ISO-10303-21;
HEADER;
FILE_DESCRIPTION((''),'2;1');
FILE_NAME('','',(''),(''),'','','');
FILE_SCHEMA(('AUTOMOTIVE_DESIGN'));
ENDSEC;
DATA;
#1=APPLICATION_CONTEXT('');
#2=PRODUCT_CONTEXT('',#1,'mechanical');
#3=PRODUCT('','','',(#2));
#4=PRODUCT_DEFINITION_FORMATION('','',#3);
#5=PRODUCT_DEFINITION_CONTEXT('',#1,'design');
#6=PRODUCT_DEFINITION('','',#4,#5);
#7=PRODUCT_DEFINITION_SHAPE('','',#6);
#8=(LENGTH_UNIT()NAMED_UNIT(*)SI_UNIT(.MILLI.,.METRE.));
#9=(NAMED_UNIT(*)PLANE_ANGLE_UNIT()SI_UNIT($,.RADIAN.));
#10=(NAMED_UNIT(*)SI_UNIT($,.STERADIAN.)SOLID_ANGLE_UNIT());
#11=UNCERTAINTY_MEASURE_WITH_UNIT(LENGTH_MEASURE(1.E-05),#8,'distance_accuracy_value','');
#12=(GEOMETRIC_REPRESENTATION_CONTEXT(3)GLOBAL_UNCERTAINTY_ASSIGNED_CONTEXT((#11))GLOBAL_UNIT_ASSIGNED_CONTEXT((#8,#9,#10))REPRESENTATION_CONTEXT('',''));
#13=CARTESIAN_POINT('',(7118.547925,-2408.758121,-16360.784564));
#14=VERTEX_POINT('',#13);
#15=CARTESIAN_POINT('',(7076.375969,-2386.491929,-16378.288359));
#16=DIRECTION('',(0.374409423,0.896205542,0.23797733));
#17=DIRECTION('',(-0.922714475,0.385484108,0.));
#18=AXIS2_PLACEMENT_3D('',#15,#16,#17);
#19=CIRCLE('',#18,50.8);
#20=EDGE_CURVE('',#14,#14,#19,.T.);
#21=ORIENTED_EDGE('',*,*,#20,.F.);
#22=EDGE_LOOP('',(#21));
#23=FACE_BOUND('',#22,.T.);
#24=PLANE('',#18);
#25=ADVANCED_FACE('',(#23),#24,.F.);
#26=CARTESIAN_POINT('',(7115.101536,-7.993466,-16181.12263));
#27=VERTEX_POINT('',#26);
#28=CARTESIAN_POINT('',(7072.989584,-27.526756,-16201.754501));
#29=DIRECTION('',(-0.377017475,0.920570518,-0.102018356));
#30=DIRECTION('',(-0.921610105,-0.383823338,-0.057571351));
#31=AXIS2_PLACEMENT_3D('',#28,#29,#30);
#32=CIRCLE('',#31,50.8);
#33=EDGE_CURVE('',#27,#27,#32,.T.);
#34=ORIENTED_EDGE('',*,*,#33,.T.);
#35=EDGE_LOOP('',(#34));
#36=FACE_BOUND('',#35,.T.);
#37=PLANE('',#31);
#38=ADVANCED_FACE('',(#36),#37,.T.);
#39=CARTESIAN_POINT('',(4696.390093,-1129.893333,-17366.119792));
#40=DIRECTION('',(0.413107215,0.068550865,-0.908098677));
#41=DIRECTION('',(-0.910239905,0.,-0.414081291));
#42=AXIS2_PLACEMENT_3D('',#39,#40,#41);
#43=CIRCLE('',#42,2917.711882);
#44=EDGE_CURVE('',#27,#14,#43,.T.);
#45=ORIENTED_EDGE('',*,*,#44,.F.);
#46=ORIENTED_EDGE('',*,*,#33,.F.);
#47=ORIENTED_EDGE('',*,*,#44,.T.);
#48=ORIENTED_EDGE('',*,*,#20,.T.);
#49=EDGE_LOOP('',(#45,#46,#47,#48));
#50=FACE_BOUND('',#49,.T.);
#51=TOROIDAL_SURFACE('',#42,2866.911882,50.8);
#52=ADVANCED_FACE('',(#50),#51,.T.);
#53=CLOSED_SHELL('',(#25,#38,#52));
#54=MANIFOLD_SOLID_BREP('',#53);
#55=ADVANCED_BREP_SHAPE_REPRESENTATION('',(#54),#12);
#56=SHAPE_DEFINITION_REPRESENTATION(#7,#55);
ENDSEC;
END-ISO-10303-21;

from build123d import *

# Parameters (mm, degrees)
SKETCH3_R = 50.8


with BuildPart() as part:
    # Sweep1: sweep along a path in Sketch2
    with BuildLine(Plane(origin=(7284.240162706, 1208.744225225, -16012.329511346), x_dir=(0.9104065059380377, -0.05563022650703536, 0.40995764640322274), z_dir=(-0.4131072153859329, -0.06855086458476153, 0.9080986772156219))) as sweep1_path:
        ThreePointArc((-139.264740832, -3617.106819122), (85.035608486, -2428.043974995), (-201.206089632, -1252.354056587))
    # Sketch3 → Sweep1 (sweep)
    with BuildSketch(Plane(origin=(-1268.119770499, -3035.436332986, -806.026074643), x_dir=(-0.9272634921207171, 0.36186887869772266, 0.09609022224006901), z_dir=(0.37440942319884657, 0.8962055422757111, 0.2379773304628106))):
        with Locations((-8999.055618983, -15217.229990651)):
            Circle(SKETCH3_R)
    sweep(path=sweep1_path.line)


solid = part.part
